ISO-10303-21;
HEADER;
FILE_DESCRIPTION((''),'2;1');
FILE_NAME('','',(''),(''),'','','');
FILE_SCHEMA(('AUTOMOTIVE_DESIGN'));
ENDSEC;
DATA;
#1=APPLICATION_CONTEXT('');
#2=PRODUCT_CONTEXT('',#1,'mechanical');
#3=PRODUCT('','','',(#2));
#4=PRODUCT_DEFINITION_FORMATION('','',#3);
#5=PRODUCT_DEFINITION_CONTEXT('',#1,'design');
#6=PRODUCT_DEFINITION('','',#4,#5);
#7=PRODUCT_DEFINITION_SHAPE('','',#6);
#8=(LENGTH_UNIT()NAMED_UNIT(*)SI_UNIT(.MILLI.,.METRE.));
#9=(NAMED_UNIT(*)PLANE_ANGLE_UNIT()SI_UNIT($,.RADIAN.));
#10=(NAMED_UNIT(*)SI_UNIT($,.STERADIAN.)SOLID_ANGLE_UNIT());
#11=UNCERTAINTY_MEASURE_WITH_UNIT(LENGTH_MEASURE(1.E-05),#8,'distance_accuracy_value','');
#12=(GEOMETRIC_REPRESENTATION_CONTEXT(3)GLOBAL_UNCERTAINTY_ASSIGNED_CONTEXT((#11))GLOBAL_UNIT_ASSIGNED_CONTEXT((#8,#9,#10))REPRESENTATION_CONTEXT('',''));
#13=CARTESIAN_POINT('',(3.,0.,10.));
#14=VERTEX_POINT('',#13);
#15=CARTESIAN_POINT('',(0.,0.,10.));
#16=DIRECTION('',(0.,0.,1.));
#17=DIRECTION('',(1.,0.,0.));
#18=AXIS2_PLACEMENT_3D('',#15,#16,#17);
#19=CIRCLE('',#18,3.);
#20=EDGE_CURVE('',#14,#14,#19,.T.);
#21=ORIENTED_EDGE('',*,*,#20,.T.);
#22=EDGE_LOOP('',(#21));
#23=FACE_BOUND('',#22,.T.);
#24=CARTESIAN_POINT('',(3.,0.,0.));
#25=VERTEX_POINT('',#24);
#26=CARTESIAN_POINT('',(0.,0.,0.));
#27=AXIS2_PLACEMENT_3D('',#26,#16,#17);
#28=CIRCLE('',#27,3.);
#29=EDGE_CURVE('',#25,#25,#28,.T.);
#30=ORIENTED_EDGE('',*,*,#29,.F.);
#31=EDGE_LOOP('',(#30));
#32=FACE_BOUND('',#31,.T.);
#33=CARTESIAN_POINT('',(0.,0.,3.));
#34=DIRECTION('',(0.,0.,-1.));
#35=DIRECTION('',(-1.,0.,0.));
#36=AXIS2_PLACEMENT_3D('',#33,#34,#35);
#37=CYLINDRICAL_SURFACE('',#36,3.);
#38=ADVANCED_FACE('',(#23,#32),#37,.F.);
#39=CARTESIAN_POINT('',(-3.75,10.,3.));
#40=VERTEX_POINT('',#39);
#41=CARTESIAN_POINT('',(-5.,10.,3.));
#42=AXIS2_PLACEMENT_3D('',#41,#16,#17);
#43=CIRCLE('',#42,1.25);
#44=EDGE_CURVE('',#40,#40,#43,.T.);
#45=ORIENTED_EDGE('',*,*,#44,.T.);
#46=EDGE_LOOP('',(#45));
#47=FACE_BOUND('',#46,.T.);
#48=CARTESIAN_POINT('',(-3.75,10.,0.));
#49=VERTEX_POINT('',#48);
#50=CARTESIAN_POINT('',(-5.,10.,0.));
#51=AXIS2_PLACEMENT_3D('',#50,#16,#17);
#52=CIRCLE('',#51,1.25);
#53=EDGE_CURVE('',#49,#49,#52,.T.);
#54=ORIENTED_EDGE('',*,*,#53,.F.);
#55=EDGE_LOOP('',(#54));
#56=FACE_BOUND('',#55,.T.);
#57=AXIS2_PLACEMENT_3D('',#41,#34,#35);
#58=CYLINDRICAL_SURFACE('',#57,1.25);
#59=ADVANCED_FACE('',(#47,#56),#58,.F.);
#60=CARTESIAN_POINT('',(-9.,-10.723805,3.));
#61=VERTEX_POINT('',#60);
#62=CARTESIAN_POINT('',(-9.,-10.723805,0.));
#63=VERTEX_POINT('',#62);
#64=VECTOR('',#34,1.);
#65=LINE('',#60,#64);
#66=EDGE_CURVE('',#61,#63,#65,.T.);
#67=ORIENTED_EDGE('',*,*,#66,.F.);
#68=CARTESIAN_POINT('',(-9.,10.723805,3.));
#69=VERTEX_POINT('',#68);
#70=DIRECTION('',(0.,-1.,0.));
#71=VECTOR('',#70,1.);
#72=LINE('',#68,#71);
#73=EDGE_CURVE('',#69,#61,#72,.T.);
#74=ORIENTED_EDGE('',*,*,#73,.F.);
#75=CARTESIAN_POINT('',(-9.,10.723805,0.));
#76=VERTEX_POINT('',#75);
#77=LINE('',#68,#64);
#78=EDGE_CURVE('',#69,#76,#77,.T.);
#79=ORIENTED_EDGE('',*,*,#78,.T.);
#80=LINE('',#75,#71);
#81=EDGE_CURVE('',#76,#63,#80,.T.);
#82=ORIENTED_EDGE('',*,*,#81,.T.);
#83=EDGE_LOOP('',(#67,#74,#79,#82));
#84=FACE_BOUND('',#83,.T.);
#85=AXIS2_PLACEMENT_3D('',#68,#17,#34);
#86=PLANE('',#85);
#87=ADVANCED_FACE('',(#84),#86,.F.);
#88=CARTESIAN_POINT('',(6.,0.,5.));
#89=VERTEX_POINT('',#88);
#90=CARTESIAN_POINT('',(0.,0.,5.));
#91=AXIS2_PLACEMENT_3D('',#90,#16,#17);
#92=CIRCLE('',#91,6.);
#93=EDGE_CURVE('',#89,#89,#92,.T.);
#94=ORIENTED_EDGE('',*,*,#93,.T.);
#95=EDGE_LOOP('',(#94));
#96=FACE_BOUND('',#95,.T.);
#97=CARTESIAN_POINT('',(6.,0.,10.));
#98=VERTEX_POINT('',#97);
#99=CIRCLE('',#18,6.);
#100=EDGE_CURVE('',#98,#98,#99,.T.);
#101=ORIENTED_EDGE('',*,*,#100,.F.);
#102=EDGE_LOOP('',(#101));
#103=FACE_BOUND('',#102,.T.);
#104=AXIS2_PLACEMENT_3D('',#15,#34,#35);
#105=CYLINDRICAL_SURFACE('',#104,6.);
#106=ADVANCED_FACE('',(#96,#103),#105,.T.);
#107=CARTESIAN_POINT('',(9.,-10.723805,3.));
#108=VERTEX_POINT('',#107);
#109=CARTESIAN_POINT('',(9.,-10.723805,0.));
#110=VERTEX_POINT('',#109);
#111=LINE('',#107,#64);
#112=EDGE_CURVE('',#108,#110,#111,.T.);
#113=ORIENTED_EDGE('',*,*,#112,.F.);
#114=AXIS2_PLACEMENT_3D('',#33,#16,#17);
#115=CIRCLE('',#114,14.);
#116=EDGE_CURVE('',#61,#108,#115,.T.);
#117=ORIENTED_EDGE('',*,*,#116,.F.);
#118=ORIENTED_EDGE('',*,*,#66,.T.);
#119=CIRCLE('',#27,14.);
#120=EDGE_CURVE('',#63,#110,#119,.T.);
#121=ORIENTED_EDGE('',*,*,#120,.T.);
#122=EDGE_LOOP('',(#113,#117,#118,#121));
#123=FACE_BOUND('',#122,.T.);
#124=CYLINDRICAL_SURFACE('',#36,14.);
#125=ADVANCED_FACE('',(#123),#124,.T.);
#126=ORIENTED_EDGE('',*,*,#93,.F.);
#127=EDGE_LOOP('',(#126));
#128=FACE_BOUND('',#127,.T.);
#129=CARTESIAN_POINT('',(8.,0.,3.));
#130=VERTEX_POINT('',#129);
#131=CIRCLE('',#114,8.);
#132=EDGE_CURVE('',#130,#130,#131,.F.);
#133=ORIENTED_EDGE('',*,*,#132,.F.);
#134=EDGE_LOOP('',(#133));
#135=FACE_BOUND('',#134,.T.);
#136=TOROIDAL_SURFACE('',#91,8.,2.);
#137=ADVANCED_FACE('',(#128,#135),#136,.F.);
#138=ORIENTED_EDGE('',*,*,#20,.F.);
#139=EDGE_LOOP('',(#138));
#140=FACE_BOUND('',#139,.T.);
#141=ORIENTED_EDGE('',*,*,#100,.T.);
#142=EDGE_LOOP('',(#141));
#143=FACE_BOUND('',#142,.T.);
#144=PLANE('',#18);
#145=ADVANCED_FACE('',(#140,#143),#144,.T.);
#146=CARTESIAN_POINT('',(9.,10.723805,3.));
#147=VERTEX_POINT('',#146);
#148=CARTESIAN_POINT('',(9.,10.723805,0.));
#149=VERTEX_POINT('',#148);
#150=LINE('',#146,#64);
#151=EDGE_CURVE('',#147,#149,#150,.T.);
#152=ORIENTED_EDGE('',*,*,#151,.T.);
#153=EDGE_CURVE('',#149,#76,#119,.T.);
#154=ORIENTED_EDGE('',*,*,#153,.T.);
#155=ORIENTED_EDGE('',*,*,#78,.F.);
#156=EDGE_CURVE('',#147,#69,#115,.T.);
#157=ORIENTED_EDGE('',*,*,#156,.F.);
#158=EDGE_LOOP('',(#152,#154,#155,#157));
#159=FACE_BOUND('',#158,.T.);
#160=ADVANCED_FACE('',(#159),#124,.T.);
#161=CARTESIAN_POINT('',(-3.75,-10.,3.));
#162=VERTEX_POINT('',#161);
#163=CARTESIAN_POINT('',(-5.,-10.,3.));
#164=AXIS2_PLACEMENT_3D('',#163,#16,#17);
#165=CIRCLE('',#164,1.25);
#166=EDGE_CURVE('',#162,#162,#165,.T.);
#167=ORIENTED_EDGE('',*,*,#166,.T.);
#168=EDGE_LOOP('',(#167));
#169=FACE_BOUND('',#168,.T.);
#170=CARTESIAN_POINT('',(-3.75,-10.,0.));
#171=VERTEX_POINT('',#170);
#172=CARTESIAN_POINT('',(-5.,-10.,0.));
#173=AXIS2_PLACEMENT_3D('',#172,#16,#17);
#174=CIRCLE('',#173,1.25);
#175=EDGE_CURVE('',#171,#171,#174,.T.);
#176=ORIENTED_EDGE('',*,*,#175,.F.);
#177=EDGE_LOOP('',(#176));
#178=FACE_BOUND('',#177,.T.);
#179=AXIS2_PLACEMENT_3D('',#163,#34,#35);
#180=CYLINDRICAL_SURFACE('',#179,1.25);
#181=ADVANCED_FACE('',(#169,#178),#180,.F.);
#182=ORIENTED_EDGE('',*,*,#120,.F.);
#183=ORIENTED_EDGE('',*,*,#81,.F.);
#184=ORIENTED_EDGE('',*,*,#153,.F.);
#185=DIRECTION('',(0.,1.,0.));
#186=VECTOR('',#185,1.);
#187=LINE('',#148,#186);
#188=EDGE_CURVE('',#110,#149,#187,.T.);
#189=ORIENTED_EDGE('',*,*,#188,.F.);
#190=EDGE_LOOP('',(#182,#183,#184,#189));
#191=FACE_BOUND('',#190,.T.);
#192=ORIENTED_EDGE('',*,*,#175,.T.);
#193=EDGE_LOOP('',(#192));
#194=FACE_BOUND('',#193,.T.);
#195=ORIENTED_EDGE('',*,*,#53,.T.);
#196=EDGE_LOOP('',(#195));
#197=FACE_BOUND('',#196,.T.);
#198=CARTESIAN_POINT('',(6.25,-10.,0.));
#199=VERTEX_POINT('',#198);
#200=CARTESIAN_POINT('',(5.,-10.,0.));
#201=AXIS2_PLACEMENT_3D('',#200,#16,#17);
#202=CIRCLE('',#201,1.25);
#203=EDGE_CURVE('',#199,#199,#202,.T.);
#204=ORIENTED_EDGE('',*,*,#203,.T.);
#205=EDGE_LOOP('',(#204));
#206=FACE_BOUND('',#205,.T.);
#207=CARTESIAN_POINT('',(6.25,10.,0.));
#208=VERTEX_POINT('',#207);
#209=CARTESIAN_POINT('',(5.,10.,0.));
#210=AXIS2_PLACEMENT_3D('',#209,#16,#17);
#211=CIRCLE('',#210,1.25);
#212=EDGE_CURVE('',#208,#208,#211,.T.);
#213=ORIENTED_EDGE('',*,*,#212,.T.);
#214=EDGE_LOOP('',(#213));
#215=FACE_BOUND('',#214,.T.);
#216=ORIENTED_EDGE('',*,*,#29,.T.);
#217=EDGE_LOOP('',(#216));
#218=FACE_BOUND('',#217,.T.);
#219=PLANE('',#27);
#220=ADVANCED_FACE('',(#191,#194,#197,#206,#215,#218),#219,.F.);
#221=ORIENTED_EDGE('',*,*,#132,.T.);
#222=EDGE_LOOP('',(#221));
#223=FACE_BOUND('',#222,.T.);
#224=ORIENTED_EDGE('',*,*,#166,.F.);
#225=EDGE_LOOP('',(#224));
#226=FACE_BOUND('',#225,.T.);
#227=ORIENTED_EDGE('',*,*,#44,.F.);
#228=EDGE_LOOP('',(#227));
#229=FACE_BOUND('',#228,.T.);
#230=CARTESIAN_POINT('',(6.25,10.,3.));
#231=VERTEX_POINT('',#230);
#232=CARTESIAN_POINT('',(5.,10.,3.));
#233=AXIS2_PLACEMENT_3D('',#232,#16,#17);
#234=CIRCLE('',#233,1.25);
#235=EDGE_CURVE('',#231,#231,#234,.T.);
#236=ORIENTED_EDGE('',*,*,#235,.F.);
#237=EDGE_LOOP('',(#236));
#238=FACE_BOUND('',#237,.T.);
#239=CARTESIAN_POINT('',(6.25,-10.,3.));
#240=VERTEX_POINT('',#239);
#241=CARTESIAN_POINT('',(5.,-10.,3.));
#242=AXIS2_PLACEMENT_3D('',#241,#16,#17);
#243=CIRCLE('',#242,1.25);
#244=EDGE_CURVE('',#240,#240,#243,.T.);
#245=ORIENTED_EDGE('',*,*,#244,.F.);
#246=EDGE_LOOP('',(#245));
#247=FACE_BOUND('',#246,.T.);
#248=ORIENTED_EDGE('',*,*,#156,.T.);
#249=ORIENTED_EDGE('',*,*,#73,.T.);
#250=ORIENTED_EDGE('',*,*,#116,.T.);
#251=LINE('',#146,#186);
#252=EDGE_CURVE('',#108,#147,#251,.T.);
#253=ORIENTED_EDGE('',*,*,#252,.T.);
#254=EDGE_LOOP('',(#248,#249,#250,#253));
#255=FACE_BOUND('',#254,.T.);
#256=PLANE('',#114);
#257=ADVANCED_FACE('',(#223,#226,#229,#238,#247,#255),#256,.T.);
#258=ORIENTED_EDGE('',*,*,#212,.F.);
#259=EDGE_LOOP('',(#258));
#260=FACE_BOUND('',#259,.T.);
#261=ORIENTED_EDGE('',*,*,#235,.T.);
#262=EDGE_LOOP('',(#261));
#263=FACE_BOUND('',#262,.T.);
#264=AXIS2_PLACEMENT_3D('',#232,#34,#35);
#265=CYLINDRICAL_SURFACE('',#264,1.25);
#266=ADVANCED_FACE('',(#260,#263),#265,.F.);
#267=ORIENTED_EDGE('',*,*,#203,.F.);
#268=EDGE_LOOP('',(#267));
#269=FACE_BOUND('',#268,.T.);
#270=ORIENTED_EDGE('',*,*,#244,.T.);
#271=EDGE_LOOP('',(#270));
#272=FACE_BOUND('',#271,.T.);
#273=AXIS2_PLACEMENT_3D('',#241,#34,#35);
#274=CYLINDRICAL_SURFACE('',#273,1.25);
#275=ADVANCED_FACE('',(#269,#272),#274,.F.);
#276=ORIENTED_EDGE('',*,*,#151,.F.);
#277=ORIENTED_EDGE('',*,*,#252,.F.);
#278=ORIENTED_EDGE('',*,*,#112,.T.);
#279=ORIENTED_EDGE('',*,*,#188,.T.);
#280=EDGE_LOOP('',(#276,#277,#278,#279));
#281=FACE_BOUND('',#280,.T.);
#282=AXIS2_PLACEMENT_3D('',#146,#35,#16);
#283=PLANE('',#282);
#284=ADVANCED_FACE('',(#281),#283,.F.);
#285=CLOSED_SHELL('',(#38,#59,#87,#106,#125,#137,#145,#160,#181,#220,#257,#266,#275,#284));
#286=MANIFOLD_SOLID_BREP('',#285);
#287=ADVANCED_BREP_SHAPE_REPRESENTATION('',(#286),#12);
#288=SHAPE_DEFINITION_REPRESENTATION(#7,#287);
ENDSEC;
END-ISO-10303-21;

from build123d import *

# Parameters (mm, degrees)
SKETCH1_R               = 3
SKETCH1_R_2             = 1.25
MAIN_DEPTH              = 3
SKETCH2_R               = 6
SKETCH2_R_2             = 3
LINEARBALLSUPPORT_DEPTH = 7
FILLET1_R               = 2


with BuildPart() as part:
    # Sketch1 → Main (new body)
    with BuildSketch(Plane.XY):
        with BuildLine():
            Line((-9, 10.723805295), (-9, -10.723805295))
            ThreePointArc((-9, -10.723805295), (0, -14), (9, -10.723805295))
            Line((9, -10.723805295), (9, 10.723805295))
            ThreePointArc((9, 10.723805295), (0, 14), (-9, 10.723805295))
        make_face()
        Circle(SKETCH1_R, mode=Mode.SUBTRACT)
        with Locations((-5, 10)):
            Circle(SKETCH1_R_2, mode=Mode.SUBTRACT)
        with Locations((5, 10)):
            Circle(SKETCH1_R_2, mode=Mode.SUBTRACT)
        with Locations((-5, -10)):
            Circle(SKETCH1_R_2, mode=Mode.SUBTRACT)
        with Locations((5, -10)):
            Circle(SKETCH1_R_2, mode=Mode.SUBTRACT)
    extrude(amount=MAIN_DEPTH)

    # Sketch2 → LinearBallSupport (add)
    with BuildSketch(Plane.XY.offset(3)):
        Circle(SKETCH2_R)
        Circle(SKETCH2_R_2, mode=Mode.SUBTRACT)
    extrude(amount=LINEARBALLSUPPORT_DEPTH)

    # Fillet1
    fillet1_edges = [part.edges().sort_by_distance(p)[0] for p in [
        (-6, 0, 3),
    ]]
    fillet(fillet1_edges, radius=FILLET1_R)


solid = part.part
